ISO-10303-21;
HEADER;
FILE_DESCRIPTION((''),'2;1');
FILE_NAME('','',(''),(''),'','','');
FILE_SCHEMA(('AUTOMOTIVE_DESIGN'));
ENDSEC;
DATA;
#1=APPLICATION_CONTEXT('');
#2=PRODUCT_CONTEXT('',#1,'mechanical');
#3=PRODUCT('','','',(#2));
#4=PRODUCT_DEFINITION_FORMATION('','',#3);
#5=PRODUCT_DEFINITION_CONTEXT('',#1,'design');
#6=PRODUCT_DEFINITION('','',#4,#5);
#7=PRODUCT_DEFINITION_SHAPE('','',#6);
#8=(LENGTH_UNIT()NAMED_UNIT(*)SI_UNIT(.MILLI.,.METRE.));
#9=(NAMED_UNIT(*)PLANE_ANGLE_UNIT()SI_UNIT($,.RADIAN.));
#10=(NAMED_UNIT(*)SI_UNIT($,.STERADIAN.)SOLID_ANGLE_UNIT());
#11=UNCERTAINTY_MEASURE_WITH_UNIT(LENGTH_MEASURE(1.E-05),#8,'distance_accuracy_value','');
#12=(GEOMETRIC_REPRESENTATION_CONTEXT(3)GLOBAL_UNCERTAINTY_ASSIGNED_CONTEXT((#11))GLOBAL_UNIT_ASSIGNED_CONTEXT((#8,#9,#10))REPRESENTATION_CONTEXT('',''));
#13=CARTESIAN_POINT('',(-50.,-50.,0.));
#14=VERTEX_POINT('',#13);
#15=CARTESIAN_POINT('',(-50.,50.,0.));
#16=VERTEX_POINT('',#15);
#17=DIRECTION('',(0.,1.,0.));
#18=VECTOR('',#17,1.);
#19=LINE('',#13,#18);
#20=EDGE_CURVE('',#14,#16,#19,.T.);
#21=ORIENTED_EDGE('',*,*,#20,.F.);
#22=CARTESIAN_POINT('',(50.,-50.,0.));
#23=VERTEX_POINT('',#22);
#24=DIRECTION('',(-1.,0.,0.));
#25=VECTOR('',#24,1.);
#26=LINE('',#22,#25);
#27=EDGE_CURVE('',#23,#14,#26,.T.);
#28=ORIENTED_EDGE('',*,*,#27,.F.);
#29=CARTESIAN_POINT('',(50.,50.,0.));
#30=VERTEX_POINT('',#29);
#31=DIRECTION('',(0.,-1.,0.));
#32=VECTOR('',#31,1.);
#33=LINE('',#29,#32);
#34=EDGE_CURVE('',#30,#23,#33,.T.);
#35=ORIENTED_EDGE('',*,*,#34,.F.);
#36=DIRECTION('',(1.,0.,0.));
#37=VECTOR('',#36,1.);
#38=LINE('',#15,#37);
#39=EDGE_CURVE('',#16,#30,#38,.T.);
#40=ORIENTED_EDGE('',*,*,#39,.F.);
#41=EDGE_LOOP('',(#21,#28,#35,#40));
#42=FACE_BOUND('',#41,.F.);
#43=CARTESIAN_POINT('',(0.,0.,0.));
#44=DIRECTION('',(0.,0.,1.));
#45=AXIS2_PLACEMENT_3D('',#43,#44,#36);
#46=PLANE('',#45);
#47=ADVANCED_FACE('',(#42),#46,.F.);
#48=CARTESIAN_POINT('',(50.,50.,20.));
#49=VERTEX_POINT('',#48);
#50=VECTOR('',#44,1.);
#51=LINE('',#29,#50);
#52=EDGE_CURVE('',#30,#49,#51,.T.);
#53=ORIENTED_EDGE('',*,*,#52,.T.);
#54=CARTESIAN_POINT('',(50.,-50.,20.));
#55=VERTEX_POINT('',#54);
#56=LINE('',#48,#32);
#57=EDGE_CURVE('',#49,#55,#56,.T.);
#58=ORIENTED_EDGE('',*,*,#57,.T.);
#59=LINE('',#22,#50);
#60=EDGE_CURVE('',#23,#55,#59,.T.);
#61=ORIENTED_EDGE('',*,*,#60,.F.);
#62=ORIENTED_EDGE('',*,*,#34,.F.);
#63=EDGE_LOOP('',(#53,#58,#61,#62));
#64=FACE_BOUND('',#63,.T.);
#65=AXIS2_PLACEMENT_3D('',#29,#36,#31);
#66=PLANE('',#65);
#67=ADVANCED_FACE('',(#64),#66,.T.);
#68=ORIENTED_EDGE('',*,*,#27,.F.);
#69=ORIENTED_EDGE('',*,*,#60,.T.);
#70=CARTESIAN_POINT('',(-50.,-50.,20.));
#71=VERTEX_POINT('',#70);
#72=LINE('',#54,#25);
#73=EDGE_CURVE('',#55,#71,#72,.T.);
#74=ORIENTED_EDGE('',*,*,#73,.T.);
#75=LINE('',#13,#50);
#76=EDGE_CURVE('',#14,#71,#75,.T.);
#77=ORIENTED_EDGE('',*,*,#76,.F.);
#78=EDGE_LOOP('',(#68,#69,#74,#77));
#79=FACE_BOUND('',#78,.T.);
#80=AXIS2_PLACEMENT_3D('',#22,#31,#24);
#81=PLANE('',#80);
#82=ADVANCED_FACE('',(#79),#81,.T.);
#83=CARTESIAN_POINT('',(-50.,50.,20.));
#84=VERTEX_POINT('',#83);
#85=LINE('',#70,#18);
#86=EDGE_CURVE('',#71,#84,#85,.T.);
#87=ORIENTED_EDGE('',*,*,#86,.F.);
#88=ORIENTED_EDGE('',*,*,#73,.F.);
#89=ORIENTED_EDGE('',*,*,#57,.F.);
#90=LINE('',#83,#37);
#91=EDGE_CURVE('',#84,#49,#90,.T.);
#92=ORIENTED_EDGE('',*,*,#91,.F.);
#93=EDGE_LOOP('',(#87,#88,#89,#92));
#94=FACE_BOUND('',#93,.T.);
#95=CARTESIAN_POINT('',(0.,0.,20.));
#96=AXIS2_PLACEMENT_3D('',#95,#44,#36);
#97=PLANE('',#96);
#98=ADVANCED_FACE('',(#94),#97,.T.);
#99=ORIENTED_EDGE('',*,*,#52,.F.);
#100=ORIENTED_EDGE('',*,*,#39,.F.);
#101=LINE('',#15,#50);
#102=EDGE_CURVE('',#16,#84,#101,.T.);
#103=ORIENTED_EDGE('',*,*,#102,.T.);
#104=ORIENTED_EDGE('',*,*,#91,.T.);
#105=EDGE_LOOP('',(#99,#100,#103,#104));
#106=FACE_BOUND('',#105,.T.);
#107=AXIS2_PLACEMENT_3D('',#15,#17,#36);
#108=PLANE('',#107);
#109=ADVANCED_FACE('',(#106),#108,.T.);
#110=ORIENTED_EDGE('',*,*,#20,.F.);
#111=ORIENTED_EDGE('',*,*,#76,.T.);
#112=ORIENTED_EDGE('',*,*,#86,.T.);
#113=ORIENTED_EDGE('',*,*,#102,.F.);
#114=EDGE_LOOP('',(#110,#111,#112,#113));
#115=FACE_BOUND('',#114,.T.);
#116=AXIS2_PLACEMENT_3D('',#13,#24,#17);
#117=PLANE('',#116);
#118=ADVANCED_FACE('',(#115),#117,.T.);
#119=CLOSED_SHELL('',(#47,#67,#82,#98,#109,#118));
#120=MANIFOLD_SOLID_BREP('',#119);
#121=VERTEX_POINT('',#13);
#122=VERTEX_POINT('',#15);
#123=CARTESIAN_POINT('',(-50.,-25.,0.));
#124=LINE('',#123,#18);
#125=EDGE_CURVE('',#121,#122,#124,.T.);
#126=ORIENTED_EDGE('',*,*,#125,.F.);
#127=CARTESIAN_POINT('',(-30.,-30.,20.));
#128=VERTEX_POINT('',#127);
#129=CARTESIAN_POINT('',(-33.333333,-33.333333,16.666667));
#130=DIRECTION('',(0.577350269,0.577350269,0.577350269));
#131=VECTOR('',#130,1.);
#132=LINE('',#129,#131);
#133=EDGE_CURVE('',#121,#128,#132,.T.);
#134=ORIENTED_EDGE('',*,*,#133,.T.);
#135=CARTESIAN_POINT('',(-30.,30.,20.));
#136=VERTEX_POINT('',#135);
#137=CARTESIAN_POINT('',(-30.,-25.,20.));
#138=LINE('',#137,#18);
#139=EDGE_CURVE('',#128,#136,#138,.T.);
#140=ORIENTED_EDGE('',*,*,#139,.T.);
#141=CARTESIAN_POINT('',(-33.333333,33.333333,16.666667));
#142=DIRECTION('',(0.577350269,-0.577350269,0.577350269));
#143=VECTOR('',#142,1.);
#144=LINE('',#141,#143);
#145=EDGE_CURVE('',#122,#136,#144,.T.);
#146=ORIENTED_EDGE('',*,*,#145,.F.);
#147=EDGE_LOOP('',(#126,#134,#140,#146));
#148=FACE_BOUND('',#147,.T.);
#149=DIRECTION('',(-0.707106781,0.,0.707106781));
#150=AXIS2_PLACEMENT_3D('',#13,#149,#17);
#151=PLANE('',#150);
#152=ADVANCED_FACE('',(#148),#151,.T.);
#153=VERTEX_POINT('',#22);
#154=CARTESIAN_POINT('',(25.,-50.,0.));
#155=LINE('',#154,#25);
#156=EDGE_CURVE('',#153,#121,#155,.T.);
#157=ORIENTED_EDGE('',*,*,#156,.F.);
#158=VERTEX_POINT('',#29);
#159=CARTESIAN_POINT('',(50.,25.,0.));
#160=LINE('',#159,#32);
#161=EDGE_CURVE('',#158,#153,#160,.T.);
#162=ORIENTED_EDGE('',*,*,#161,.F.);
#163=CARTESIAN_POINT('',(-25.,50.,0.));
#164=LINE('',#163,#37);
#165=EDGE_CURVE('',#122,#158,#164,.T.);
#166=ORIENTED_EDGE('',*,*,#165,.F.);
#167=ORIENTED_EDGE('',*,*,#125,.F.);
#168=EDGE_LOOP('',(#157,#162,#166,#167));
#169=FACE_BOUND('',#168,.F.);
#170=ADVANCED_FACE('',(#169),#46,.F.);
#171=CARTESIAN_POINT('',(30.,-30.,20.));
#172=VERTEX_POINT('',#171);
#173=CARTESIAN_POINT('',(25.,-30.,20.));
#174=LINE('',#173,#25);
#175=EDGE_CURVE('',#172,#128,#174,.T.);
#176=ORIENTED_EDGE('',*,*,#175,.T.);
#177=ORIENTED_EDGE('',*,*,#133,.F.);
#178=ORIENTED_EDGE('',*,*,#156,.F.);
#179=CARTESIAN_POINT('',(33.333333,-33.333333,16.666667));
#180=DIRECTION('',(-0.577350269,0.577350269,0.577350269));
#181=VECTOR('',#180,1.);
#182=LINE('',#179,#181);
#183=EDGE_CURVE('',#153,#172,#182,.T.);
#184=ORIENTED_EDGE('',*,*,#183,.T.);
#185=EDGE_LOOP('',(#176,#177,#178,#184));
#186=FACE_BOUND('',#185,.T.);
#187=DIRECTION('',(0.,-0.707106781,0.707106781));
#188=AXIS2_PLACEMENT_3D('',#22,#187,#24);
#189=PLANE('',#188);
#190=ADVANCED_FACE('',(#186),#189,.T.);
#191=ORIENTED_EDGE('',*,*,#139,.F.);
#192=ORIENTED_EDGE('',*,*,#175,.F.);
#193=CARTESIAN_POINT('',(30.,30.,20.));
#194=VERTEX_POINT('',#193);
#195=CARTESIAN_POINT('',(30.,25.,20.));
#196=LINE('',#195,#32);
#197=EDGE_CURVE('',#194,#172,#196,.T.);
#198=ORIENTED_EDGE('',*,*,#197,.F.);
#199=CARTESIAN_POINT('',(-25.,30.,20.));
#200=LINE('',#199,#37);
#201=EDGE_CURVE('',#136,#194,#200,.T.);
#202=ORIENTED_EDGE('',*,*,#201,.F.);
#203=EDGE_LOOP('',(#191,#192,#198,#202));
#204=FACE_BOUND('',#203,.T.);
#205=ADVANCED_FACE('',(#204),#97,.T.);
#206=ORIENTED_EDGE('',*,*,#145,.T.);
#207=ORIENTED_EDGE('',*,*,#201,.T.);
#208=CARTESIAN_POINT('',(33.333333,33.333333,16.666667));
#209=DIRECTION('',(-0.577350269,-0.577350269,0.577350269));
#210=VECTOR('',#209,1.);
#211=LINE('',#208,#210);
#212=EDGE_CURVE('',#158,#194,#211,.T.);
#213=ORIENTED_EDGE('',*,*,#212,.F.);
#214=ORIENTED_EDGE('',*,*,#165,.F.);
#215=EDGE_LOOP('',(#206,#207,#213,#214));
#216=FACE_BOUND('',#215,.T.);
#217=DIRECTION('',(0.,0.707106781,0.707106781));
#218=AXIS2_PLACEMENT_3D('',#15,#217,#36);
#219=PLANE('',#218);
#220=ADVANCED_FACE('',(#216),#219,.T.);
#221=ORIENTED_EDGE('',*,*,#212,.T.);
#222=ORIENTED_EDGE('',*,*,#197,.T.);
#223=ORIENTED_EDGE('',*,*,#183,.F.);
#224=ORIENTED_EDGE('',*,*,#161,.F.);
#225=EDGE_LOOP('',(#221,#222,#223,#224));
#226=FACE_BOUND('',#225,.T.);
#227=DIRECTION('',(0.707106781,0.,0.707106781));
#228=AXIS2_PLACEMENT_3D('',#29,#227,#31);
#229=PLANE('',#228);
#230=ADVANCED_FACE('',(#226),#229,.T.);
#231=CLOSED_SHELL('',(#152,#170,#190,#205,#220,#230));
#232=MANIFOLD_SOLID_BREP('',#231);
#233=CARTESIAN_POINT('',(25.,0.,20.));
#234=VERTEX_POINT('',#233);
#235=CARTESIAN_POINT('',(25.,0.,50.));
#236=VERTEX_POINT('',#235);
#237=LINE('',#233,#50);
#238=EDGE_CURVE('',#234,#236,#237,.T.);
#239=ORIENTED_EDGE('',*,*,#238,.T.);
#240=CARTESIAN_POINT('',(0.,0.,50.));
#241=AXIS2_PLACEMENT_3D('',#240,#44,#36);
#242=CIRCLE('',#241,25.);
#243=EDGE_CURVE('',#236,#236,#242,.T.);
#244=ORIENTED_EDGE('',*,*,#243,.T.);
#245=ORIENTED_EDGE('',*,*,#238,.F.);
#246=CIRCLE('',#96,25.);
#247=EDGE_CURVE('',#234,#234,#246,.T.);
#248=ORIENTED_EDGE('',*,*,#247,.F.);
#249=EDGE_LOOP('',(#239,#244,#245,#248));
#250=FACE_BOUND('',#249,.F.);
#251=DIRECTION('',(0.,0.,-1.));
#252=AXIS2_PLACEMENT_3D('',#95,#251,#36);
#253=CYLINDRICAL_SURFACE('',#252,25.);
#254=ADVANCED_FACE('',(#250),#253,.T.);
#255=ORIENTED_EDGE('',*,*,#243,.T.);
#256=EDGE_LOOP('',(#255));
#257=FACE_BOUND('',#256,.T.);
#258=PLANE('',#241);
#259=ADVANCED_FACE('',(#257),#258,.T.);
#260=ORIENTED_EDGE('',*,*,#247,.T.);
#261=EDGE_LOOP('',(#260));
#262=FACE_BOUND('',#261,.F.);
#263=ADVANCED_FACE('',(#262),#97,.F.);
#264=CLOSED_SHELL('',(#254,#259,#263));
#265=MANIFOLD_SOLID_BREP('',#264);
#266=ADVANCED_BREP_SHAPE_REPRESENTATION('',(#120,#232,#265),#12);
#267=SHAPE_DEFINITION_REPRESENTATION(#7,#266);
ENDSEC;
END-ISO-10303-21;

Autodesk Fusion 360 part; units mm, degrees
sketch "Sketch1" plane through (0, 0, 0) normal (0, 0, 1) x (1, 0, 0)
  line L0 (-50, 50) -> (50, 50)
  line L1 (50, 50) -> (50, -50)
  line L2 (50, -50) -> (-50, -50)
  line L3 (-50, -50) -> (-50, 50)
  point P0 (-122.6558, 0.4138)
  point P1 (-120, 25)
  dimension "d14" = 100
  dimension "d15" = 100
  dimension "d17" = 50
  dimension "d18" = 50
extrude "Extrude1" add sketch "Sketch1" along normal blind 20 makes body 1
sketch "Sketch1 (2)" plane through (0, 0, 0) normal (0, 0, 1) x (1, 0, 0) in component "ChildComponent"
  circle A0 centre (0, 0) radius 25
  dimension "d7" = 50
extrude "Extrude1'" add sketch "Sketch1 (2)" along normal blind 30 from surface at 20 separate body makes body 2 in component "ChildComponent"
extrude "Extrude2" add sketch "Sketch1" along normal blind 20 draft -45 separate body makes body 3
copy_body "CutPasteBodies1" bodies 3 removing the originals makes body 4 in component "ComponentWithBody"
component "ChildComponent" placed x (1, 0, 0) y (0, 1, 0) z (0, 0, 1) at (0, 0, 0)
component "ComponentWithBody" placed x (1, 0, 0) y (0, 1, 0) z (0, 0, 1) at (0, 0, 0)
equation "modelHeight = 20 mm"
equation "childModelWidth = 50 mm"
equation "d5 = modelHeight"
equation "d7 = childModelWidth"
equation "modelSize = 100 mm"
equation "d14 = modelSize"
equation "d15 = modelSize"
equation "d17 = modelSize / 2"
equation "d18 = modelSize / 2"
equation "d19 = modelHeight"
